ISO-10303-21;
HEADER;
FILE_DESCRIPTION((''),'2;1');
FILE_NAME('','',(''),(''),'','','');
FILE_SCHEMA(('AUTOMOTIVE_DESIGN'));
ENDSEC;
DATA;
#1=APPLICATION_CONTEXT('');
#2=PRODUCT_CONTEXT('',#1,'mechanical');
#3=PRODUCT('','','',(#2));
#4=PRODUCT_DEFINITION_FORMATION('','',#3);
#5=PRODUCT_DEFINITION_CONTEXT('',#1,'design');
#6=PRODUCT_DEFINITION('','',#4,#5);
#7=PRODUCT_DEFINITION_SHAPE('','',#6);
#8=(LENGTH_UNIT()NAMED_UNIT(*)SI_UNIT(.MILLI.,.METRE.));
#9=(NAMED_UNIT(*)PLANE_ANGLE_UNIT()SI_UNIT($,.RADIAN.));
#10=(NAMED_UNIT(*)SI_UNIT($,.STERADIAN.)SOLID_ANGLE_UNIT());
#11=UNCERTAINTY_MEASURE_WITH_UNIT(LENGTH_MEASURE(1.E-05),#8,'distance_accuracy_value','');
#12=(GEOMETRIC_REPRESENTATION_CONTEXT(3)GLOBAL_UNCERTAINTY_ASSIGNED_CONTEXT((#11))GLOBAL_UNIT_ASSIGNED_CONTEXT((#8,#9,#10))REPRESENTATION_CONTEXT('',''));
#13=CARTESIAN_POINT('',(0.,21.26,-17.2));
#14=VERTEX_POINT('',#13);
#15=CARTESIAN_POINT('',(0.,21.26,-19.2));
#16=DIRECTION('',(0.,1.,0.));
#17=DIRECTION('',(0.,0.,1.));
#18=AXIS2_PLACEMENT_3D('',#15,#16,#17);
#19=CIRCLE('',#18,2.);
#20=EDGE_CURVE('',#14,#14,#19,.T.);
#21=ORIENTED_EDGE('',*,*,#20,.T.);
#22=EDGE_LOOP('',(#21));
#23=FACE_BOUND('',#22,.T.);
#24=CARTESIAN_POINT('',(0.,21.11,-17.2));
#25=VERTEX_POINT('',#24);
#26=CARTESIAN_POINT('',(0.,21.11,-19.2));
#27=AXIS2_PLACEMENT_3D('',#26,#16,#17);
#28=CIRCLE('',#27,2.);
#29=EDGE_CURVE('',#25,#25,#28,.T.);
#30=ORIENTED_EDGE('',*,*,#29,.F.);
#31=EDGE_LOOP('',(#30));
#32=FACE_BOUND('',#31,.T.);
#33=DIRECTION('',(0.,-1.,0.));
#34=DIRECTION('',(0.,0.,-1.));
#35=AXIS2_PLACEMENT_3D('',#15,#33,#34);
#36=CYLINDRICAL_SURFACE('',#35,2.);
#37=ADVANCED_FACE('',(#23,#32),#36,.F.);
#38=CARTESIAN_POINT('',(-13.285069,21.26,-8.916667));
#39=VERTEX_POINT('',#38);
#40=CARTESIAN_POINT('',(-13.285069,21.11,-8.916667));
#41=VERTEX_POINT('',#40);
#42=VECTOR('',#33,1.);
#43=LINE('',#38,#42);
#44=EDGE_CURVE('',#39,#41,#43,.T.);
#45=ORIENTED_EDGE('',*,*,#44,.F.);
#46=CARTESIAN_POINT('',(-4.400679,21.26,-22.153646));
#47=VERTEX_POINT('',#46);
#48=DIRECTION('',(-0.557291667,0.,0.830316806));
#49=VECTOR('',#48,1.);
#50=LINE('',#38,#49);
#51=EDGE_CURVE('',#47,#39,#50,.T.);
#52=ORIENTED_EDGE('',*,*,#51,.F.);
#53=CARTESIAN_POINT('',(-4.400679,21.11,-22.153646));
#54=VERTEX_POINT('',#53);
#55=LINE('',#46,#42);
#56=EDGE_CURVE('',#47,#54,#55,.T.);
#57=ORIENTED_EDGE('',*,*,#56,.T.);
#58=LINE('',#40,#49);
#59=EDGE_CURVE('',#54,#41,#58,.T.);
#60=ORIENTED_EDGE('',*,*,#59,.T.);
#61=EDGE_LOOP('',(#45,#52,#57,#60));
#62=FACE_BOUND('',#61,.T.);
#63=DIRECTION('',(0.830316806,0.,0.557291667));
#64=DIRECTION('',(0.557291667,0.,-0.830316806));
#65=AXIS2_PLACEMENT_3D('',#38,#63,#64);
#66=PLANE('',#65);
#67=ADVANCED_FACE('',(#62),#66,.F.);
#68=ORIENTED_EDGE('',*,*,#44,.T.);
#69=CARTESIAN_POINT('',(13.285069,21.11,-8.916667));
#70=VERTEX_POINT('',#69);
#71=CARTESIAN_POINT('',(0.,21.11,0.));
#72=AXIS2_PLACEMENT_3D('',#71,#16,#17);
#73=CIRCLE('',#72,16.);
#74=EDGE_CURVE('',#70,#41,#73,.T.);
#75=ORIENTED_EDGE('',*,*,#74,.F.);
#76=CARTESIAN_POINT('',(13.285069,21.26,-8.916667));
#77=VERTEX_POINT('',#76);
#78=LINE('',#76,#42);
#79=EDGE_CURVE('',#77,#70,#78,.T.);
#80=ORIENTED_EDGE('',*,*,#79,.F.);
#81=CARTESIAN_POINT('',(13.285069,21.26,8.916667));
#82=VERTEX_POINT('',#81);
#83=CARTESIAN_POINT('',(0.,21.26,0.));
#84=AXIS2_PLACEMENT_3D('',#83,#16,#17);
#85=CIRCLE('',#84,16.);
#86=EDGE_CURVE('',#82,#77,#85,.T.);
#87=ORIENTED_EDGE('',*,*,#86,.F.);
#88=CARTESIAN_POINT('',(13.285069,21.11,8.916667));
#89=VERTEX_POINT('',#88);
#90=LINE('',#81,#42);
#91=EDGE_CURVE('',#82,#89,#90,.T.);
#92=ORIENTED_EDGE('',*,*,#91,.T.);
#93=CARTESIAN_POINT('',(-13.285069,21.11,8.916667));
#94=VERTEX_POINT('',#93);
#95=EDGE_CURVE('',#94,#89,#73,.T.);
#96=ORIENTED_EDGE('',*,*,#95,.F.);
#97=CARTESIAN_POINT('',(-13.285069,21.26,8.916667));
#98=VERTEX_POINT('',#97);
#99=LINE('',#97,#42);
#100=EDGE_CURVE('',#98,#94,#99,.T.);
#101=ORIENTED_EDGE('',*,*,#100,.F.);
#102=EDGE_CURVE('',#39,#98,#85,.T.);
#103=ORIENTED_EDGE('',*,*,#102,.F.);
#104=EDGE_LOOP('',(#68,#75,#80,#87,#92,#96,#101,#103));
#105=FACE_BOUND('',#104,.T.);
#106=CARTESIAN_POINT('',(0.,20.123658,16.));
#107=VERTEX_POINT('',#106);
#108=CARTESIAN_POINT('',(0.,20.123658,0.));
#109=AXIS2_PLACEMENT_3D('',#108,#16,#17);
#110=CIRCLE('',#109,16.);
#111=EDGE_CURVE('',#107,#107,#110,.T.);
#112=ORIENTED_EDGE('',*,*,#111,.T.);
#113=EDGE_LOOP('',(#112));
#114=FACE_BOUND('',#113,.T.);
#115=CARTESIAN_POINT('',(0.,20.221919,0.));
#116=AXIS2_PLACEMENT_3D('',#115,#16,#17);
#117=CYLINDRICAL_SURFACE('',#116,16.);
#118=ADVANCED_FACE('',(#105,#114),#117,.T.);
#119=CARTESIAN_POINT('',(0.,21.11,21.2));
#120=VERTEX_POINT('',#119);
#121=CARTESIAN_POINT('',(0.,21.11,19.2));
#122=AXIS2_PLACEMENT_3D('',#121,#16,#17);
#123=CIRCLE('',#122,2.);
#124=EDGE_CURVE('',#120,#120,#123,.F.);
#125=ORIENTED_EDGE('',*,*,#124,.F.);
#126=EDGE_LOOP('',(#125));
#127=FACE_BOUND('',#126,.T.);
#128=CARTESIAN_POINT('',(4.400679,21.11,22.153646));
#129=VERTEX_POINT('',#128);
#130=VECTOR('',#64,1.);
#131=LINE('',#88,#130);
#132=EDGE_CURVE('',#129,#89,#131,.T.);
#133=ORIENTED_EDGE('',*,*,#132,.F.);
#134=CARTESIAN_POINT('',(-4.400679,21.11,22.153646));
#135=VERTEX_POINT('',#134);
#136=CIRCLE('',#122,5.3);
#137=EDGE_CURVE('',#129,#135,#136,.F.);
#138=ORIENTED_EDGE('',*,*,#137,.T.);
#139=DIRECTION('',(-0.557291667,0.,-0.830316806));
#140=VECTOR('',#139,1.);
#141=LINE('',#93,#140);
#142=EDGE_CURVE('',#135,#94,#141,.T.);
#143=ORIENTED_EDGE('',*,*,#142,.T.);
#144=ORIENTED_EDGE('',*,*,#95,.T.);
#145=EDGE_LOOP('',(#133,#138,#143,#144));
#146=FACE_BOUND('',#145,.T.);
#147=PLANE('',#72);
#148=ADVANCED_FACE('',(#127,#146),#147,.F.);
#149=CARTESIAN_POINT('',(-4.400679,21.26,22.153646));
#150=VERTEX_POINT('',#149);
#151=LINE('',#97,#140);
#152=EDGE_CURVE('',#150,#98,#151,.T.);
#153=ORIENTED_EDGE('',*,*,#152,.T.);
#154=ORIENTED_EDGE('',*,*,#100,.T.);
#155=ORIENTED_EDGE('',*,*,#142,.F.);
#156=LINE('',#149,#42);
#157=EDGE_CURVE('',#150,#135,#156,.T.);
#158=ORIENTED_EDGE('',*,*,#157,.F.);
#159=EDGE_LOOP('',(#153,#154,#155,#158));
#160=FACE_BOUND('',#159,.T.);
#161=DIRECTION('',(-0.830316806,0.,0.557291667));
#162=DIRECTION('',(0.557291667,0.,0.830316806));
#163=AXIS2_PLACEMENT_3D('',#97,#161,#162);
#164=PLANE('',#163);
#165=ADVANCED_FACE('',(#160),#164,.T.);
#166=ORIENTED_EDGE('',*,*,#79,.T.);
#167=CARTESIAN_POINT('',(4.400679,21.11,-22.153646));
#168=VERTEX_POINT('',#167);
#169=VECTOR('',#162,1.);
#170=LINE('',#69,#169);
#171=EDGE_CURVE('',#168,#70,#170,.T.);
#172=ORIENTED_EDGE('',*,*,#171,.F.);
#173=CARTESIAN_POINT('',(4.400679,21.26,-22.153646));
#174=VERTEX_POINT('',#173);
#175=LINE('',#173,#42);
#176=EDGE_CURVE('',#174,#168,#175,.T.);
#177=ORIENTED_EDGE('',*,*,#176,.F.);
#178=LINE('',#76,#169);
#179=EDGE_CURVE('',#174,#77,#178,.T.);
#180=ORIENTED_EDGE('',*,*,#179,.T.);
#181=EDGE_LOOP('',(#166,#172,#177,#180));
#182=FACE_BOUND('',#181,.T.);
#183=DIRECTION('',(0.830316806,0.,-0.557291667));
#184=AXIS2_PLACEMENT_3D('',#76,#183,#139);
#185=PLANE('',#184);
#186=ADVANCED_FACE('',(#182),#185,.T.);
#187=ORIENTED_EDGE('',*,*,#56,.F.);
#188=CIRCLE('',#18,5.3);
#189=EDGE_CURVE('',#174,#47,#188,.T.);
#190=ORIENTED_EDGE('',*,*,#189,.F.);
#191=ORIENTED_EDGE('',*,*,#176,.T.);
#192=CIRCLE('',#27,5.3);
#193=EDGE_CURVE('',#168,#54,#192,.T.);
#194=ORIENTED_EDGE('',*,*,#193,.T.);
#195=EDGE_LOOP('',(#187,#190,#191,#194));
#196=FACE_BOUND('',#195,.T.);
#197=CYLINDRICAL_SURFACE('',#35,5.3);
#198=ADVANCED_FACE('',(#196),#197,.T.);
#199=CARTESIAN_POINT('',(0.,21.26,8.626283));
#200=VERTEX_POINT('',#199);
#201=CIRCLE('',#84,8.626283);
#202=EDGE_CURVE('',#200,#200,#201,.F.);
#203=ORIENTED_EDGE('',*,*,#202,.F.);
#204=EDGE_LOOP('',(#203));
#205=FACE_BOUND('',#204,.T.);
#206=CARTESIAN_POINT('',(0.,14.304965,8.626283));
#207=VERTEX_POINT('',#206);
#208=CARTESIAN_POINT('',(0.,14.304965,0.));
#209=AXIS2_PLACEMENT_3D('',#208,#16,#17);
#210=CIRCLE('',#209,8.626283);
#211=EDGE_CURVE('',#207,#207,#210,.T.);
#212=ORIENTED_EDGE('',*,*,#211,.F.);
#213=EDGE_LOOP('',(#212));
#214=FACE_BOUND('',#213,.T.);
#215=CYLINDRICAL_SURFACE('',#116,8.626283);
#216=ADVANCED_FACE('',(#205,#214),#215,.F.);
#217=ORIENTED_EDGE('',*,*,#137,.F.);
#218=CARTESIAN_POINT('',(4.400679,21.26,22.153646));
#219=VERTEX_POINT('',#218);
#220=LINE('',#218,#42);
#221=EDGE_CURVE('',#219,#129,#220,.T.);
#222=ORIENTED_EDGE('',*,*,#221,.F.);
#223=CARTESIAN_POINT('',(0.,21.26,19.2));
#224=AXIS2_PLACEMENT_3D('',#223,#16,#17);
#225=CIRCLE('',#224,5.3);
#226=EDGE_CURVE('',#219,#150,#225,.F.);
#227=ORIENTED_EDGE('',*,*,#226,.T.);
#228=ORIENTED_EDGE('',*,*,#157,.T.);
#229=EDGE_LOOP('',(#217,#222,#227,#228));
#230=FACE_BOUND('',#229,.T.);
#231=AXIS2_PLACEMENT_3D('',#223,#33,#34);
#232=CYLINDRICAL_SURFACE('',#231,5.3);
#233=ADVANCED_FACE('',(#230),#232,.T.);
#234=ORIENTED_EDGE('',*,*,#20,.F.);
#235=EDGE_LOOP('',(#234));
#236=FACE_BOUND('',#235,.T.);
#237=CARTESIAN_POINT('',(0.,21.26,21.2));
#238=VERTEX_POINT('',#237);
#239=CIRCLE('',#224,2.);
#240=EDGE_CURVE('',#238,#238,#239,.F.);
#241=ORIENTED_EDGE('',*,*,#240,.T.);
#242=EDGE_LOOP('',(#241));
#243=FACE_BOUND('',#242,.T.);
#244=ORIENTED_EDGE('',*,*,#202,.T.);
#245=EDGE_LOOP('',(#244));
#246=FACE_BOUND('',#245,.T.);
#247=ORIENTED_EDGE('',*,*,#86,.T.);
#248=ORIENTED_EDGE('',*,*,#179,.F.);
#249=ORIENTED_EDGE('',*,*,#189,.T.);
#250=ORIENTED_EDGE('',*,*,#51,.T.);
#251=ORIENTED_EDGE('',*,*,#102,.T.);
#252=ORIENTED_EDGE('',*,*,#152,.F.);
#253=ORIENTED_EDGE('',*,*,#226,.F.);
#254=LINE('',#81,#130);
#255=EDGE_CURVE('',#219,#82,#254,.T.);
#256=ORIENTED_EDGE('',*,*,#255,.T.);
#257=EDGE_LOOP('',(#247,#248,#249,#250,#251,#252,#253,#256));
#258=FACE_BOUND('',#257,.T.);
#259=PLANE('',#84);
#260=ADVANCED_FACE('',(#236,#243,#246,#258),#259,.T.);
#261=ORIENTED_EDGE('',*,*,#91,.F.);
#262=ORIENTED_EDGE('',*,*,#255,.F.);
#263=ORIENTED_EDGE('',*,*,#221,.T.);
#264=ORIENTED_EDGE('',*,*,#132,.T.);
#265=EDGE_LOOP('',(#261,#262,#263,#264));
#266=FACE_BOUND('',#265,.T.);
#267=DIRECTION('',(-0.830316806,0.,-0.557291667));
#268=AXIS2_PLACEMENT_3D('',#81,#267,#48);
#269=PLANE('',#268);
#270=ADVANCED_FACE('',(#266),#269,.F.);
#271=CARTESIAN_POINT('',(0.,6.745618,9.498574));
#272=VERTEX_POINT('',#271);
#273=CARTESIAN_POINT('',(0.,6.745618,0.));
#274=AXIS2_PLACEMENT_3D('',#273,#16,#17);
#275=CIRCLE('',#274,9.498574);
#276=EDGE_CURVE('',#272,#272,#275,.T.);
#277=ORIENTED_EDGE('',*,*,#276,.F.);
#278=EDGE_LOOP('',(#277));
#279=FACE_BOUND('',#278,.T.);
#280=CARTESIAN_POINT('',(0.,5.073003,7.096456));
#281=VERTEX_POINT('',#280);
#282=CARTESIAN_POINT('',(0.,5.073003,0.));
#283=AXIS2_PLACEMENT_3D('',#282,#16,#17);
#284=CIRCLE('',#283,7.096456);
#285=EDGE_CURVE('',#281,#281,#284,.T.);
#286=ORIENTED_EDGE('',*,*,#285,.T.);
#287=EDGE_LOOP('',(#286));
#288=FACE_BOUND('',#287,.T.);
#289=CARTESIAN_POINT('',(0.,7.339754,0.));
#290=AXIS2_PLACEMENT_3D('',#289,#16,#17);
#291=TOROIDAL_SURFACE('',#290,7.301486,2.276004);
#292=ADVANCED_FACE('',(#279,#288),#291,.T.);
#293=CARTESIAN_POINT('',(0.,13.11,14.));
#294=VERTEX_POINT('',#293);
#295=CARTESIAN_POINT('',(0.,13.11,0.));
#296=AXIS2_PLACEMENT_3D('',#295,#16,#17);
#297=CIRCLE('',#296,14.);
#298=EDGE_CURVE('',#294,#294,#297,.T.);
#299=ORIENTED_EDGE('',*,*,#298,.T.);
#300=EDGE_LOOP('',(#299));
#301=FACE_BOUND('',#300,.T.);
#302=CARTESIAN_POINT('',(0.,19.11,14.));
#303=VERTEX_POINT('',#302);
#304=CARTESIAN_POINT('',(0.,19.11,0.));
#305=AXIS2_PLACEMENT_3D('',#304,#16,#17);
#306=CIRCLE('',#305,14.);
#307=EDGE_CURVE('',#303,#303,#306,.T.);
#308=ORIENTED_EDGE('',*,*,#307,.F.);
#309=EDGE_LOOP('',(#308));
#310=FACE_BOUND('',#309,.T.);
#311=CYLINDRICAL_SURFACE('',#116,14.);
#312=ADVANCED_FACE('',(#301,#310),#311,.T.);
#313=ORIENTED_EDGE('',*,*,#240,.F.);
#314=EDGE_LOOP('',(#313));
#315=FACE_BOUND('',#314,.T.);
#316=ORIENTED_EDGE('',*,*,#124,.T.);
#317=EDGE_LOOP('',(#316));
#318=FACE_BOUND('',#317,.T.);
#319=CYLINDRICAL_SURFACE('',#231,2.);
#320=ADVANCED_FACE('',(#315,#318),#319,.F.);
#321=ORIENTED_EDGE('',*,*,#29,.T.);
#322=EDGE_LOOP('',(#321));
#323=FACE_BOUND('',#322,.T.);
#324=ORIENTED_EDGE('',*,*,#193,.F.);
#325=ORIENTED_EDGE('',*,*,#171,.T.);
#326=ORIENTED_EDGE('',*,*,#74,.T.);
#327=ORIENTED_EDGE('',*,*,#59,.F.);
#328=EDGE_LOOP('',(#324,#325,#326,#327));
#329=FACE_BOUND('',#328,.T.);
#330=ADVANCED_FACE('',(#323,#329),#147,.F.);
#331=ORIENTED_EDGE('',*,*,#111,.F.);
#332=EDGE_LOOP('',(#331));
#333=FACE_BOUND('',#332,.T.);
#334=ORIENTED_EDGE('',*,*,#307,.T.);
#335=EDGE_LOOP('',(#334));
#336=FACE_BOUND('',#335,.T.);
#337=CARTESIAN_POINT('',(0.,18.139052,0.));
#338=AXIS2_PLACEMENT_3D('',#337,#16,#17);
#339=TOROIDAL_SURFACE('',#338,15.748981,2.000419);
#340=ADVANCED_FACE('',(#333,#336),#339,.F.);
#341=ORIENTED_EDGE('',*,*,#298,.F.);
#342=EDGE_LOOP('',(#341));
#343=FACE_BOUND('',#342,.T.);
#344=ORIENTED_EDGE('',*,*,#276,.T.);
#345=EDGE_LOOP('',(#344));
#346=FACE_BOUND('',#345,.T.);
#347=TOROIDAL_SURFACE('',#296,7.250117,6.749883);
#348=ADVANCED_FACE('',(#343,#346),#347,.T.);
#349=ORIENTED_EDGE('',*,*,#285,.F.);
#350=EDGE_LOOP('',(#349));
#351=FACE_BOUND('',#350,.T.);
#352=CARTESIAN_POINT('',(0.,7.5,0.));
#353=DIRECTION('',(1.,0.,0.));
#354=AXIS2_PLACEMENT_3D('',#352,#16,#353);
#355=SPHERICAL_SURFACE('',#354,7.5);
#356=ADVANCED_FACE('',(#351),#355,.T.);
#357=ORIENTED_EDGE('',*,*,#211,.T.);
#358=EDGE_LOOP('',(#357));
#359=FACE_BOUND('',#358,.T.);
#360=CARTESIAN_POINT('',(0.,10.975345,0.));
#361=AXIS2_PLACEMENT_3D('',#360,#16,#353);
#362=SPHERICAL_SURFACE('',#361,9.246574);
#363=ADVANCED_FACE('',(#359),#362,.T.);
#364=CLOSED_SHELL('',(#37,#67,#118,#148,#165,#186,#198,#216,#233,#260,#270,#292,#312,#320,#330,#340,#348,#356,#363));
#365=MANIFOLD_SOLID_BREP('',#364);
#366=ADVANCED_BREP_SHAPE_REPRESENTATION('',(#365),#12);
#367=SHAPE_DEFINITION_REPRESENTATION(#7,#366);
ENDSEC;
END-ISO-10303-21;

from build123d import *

# Parameters (mm, degrees)
SKETCH2_R           = 8.626283366
SKETCH2_R_2         = 2
BOSS_EXTRUDE2_DEPTH = 0.15


with BuildPart() as part:
    # Sketch1 → Revolve1 (revolve)
    with BuildSketch(Plane.XY, mode=Mode.PRIVATE) as revolve1_sk:
        with BuildLine():
            Line((16, 21.11), (16, 20.123658445))
            ThreePointArc((16, 20.123658445), (14.844631277, 19.923379665), (14, 19.11))
            Line((14, 19.11), (14, 13.11))
            ThreePointArc((14, 13.11), (12.760912849, 9.212301981), (9.498573932, 6.745617646))
            ThreePointArc((9.498573932, 6.745617646), (8.602056269, 5.471944767), (7.096455966, 5.073003354))
            ThreePointArc((7.096455966, 5.073003354), (4.361623846, 1.398669209), (0, 0))
            Line((0, 0), (0, 20.221919192))
            ThreePointArc((0, 20.221919192), (5.230275248, 18.600523967), (8.626283366, 14.304964573))
            Line((8.626283366, 14.304964573), (8.626283366, 21.11))
            Line((8.626283366, 21.11), (16, 21.11))
        make_face()
    revolve(revolve1_sk.sketch.rotate(Axis((0, 20.221919192, 0), (0, -1, 0)), 90), axis=Axis((0, 20.221919192, 0), (0, -1, 0)))

    # Sketch2 → Boss-Extrude2 (add)
    with BuildSketch(Plane(origin=(0, 21.11, 0), x_dir=(1, 0, 0), z_dir=(0, 1, 0))):
        with BuildLine():
            Line((-4.400679072, -22.153645833), (-13.285068895, -8.916666667))
            ThreePointArc((-13.285068895, -8.916666667), (-16, 0), (-13.285068895, 8.916666667))
            Line((-13.285068895, 8.916666667), (-4.400679072, 22.153645833))
            ThreePointArc((-4.400679072, 22.153645833), (0, 24.5), (4.400679072, 22.153645833))
            Line((4.400679072, 22.153645833), (13.285068895, 8.916666667))
            ThreePointArc((13.285068895, 8.916666667), (16, 0), (13.285068895, -8.916666667))
            Line((13.285068895, -8.916666667), (4.400679072, -22.153645833))
            ThreePointArc((4.400679072, -22.153645833), (0, -24.5), (-4.400679072, -22.153645833))
        make_face()
        with Locations(Location((0, 0, 0), (0, 0, 270))):
            Circle(SKETCH2_R, mode=Mode.SUBTRACT)
        with Locations(Location((0, -19.2, 0), (0, 0, 270))):
            Circle(SKETCH2_R_2, mode=Mode.SUBTRACT)
        with Locations(Location((0, 19.2, 0), (0, 0, 270))):
            Circle(SKETCH2_R_2, mode=Mode.SUBTRACT)
    extrude(amount=BOSS_EXTRUDE2_DEPTH)


solid = part.part
